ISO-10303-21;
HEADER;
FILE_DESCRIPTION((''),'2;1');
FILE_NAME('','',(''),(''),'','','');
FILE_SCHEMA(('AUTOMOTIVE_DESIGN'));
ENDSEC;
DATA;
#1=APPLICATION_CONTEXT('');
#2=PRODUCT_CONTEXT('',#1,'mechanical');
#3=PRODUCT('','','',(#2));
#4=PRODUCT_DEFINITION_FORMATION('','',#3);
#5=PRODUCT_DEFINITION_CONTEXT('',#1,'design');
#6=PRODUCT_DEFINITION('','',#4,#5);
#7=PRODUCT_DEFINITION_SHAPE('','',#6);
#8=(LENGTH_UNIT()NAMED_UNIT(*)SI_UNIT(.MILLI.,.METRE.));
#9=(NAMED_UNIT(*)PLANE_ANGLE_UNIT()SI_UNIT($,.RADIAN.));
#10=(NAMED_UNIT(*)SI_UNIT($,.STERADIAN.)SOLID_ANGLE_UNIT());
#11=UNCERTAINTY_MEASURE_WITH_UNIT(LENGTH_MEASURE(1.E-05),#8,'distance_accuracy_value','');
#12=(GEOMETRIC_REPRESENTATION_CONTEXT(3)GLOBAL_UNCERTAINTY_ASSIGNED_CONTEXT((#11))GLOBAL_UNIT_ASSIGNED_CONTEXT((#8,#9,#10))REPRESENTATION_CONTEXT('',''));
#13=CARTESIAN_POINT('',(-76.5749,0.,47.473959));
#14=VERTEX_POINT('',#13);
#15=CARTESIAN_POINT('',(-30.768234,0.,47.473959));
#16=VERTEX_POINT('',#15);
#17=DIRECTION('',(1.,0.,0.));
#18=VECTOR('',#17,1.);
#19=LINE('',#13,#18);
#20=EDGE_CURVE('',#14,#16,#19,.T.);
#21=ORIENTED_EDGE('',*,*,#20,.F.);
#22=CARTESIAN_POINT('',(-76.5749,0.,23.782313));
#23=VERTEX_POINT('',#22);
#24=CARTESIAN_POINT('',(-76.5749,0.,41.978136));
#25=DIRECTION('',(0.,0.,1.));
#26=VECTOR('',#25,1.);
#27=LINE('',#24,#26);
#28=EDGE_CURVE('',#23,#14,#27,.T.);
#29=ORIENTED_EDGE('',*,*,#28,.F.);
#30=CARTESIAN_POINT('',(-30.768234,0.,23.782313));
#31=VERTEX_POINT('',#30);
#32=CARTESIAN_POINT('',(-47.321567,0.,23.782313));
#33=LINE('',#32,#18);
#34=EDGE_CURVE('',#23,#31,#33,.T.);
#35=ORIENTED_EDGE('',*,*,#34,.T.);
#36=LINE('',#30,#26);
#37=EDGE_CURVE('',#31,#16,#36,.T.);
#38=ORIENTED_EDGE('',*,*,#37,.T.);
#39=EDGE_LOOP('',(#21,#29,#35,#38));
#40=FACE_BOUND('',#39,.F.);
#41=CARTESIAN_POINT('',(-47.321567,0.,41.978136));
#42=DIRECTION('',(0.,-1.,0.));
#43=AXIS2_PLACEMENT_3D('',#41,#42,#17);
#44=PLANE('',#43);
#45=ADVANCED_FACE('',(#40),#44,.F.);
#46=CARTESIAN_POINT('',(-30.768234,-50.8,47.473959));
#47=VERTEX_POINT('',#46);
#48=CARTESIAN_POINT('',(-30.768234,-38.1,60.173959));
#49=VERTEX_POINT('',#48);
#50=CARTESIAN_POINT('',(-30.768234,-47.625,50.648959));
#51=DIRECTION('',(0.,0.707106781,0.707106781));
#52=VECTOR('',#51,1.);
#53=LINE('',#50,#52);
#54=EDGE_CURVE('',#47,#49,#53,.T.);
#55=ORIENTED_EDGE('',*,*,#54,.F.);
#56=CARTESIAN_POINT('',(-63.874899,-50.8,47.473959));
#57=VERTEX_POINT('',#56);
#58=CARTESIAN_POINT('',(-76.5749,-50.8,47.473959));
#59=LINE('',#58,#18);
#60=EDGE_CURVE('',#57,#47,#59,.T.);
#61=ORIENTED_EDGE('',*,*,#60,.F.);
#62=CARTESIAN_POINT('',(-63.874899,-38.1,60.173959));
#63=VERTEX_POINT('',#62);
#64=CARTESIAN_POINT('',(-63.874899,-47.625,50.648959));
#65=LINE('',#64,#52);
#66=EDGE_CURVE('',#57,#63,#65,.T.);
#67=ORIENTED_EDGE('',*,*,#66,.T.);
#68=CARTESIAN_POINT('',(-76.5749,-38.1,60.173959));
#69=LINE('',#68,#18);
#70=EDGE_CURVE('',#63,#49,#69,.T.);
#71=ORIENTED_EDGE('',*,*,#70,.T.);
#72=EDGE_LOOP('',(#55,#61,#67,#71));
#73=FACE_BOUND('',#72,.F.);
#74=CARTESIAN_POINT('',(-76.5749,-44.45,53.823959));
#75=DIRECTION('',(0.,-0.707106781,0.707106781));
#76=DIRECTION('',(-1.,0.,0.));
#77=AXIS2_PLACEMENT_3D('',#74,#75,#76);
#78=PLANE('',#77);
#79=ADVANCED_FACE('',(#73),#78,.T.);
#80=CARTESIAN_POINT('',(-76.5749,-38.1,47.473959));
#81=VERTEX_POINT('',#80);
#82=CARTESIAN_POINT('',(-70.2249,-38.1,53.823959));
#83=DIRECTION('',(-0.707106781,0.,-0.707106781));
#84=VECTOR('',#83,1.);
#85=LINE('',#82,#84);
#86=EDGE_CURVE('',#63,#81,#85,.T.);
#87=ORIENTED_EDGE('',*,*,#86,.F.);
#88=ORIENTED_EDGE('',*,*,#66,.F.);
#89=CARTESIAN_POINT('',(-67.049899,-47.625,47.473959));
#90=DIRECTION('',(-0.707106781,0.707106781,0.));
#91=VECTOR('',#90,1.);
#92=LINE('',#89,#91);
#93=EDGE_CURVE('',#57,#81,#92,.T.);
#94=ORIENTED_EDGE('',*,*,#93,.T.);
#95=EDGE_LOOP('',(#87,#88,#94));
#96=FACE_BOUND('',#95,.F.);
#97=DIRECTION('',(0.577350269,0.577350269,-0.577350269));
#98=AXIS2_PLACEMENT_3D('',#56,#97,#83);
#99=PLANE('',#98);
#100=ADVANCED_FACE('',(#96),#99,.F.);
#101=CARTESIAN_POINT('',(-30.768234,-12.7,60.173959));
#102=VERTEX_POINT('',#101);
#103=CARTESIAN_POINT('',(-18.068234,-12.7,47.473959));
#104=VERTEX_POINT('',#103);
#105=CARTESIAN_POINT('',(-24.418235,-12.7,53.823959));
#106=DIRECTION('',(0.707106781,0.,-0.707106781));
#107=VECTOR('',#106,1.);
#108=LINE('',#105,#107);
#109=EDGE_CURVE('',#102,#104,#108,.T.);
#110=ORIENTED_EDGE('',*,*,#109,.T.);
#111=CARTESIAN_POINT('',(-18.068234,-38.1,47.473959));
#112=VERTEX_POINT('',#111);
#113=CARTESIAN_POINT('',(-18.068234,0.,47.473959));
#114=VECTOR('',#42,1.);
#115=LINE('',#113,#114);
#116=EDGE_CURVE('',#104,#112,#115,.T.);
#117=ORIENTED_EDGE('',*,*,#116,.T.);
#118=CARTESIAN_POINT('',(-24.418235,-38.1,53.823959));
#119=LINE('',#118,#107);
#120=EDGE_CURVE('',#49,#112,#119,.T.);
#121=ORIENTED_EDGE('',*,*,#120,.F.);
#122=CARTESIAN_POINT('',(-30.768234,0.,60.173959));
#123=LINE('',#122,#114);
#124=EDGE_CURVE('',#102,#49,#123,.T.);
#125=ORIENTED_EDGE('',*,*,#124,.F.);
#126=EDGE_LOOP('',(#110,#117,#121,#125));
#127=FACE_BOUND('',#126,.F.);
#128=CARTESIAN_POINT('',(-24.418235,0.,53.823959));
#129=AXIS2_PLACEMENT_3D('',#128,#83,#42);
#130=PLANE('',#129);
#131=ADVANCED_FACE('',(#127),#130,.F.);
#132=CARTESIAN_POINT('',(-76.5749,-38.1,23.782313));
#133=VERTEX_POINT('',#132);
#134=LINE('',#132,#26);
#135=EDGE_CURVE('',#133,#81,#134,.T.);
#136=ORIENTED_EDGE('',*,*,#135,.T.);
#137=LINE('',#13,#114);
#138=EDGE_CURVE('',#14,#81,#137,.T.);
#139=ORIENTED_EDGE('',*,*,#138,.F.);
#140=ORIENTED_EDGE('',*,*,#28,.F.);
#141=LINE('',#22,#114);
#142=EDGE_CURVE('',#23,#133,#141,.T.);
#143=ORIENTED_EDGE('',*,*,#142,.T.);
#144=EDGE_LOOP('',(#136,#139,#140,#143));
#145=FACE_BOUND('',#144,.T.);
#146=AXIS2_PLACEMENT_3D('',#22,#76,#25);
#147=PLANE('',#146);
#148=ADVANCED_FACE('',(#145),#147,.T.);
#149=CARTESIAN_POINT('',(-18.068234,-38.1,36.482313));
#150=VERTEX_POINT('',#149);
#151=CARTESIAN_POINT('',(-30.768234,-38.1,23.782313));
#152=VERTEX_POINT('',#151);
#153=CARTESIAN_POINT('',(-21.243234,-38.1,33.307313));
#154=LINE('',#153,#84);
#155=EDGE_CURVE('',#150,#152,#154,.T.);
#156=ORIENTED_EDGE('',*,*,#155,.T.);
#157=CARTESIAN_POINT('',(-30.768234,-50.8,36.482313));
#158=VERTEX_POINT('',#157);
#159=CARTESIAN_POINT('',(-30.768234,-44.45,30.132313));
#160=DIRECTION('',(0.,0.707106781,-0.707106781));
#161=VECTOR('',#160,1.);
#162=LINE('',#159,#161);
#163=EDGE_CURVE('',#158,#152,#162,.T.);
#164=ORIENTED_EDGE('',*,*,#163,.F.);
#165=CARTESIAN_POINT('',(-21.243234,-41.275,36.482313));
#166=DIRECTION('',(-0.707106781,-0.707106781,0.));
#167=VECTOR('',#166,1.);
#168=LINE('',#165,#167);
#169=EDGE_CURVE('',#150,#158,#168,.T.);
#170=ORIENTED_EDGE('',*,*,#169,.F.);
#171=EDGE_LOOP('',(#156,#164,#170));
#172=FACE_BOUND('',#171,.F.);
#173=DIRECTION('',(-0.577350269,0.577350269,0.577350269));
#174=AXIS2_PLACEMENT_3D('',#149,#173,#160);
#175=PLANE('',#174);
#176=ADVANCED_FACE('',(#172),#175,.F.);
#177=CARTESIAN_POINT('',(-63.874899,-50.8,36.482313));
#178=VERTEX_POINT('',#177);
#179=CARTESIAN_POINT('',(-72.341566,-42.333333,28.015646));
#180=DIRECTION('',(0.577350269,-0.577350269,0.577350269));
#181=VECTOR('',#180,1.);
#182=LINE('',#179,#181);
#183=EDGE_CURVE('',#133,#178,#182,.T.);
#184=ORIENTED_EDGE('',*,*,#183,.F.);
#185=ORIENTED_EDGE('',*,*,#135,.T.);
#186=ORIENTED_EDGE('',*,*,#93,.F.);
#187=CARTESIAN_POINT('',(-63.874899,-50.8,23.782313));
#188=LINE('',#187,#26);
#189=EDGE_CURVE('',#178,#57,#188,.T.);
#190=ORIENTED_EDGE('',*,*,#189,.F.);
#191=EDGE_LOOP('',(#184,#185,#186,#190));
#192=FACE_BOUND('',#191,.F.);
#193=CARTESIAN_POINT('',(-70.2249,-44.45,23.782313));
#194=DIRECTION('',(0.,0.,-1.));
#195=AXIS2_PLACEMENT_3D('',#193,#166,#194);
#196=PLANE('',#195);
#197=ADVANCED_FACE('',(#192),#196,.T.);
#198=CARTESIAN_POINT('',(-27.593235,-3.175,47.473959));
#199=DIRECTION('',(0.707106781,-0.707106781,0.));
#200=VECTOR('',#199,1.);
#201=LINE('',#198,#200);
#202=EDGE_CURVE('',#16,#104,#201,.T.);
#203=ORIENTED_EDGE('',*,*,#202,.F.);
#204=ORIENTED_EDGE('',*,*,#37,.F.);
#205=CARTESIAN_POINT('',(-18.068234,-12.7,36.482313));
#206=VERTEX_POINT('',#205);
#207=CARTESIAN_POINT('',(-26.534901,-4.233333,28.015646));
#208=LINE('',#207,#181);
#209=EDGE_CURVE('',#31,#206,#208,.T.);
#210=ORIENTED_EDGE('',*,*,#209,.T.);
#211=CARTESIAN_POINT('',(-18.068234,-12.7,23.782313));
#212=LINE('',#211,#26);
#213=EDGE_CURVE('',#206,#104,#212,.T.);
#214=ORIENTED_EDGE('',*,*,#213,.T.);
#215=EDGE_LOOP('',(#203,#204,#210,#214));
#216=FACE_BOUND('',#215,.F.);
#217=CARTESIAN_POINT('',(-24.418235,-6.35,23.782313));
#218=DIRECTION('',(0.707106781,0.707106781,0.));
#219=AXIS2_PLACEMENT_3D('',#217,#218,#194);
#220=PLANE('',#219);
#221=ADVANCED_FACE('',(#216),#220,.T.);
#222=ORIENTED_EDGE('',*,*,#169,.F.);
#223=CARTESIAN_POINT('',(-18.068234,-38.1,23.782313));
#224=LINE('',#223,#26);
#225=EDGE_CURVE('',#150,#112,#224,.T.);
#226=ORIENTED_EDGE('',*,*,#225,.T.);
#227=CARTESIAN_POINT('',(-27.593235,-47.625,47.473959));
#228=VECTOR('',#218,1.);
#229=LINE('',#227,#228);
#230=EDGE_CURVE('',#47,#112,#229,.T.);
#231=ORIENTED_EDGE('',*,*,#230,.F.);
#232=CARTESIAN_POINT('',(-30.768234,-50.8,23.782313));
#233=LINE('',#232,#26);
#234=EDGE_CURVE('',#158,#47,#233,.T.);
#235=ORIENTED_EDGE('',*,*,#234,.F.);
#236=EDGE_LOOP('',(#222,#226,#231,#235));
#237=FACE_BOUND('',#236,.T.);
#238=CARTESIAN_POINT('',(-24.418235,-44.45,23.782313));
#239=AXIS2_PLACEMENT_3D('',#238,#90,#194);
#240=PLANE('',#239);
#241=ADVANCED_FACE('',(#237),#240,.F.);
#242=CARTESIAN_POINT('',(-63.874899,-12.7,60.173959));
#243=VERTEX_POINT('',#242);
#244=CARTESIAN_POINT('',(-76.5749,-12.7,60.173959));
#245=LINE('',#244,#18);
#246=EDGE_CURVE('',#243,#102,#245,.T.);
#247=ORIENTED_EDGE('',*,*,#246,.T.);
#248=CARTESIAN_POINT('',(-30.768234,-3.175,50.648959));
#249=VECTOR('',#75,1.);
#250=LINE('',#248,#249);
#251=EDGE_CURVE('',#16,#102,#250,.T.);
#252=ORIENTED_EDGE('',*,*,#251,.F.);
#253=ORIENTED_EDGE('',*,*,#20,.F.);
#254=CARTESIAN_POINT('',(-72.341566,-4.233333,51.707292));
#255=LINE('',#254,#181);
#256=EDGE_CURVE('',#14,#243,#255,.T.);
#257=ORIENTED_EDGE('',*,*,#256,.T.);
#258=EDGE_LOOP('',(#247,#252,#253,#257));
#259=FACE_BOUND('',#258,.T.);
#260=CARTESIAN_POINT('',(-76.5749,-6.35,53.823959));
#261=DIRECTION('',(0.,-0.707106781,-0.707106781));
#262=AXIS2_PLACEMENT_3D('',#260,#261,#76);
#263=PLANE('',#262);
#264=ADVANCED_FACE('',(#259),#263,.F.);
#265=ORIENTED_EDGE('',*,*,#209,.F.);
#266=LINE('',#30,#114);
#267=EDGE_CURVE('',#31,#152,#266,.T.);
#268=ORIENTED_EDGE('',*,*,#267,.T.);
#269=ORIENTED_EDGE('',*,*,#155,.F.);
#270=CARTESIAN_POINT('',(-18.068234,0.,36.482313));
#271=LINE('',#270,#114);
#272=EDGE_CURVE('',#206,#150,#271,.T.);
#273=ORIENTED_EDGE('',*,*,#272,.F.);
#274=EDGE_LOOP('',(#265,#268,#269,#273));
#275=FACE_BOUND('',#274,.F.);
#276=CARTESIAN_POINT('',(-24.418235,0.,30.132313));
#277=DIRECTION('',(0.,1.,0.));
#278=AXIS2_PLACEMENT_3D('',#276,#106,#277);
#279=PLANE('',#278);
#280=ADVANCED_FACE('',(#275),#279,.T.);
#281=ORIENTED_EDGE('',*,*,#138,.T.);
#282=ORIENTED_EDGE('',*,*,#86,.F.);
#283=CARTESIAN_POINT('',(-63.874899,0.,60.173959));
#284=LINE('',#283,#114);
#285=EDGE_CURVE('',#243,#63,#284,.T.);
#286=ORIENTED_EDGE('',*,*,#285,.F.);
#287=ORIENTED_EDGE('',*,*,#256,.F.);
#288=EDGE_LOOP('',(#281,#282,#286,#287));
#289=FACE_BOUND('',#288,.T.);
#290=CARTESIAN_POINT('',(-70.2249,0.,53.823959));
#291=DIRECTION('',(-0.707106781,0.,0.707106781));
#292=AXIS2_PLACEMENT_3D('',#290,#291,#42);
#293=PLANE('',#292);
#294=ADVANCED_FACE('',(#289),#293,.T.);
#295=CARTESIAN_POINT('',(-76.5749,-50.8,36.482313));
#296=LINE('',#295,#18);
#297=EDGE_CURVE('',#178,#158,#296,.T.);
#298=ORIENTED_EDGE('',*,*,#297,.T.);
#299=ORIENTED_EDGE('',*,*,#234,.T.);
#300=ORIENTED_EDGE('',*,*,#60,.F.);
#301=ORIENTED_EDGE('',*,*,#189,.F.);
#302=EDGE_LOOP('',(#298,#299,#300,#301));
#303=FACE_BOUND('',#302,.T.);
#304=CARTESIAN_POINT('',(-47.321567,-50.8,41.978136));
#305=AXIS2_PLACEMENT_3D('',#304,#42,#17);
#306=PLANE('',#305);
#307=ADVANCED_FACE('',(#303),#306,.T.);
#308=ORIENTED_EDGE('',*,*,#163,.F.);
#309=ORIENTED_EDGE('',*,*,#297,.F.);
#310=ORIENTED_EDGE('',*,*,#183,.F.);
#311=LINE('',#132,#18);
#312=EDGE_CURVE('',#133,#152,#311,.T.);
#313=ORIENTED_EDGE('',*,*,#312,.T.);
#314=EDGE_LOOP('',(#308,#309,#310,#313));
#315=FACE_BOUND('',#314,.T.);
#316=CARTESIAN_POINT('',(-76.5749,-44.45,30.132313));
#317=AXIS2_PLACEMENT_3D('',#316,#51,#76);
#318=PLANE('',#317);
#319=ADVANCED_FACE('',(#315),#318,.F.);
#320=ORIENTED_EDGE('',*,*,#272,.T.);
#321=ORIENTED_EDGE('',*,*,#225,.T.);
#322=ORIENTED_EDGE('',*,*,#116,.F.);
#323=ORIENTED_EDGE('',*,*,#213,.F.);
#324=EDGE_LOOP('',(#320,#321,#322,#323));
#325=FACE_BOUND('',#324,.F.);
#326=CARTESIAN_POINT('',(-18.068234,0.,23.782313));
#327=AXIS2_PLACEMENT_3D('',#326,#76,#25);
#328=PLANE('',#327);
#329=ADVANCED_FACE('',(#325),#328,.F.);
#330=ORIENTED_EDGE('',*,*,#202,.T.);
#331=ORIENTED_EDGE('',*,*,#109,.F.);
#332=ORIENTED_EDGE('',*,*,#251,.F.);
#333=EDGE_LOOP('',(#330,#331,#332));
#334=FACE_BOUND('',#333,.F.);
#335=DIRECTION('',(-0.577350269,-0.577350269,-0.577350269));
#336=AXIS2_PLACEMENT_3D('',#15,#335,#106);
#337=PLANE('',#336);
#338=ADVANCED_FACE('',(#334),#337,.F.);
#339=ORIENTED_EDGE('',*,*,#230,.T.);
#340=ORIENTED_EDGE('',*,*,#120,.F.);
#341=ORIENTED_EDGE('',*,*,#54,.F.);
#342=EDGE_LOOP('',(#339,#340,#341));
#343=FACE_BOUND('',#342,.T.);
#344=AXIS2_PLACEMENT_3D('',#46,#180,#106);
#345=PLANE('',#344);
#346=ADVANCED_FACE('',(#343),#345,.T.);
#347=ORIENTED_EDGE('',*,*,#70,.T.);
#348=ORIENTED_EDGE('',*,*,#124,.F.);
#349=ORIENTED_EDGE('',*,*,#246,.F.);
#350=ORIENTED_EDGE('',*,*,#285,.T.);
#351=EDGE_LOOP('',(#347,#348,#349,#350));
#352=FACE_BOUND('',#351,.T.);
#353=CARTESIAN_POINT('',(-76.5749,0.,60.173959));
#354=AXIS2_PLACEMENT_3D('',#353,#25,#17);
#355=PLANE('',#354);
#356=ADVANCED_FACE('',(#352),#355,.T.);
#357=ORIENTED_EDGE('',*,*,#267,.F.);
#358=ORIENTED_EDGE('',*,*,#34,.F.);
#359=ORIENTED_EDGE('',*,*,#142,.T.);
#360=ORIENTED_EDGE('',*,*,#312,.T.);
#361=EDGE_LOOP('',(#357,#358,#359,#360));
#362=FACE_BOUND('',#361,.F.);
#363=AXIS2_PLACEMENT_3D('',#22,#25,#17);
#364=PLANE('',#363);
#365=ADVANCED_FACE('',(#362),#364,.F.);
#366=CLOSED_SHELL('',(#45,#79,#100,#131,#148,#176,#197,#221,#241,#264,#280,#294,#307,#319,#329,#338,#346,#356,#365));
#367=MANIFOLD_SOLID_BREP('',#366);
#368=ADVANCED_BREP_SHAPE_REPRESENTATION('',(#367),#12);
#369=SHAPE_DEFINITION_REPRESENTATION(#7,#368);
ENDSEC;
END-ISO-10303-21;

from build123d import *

# Parameters (mm, degrees)
F0_W     = 58.506665
F0_H     = 36.391646
F1_DEPTH = 50.8
F2_SIZE  = 12.7


with BuildPart() as f1:
    # F0 (on Front) → F1 (new body)
    with BuildSketch(Plane.XZ):
        with Locations((-47.321567, 41.978136)):
            Rectangle(F0_W, F0_H)
    extrude(amount=F1_DEPTH)

    # F2
    f2_edges = [f1.edges().sort_by_distance(p)[0] for p in [
        (-18.068234, -25.4, 60.173959),
        (-76.574899, -25.4, 60.173959),
        (-47.321566, 0, 60.173959),
        (-47.321566, -50.8, 60.173959),
        (-76.574899, -50.8, 41.978136),
        (-47.321566, -50.8, 23.782313),
        (-18.068234, -50.8, 41.978136),
        (-18.068234, -25.4, 23.782313),
        (-18.068234, 0, 41.978136),
    ]]
    chamfer(f2_edges, length=F2_SIZE)


solid = f1.part
